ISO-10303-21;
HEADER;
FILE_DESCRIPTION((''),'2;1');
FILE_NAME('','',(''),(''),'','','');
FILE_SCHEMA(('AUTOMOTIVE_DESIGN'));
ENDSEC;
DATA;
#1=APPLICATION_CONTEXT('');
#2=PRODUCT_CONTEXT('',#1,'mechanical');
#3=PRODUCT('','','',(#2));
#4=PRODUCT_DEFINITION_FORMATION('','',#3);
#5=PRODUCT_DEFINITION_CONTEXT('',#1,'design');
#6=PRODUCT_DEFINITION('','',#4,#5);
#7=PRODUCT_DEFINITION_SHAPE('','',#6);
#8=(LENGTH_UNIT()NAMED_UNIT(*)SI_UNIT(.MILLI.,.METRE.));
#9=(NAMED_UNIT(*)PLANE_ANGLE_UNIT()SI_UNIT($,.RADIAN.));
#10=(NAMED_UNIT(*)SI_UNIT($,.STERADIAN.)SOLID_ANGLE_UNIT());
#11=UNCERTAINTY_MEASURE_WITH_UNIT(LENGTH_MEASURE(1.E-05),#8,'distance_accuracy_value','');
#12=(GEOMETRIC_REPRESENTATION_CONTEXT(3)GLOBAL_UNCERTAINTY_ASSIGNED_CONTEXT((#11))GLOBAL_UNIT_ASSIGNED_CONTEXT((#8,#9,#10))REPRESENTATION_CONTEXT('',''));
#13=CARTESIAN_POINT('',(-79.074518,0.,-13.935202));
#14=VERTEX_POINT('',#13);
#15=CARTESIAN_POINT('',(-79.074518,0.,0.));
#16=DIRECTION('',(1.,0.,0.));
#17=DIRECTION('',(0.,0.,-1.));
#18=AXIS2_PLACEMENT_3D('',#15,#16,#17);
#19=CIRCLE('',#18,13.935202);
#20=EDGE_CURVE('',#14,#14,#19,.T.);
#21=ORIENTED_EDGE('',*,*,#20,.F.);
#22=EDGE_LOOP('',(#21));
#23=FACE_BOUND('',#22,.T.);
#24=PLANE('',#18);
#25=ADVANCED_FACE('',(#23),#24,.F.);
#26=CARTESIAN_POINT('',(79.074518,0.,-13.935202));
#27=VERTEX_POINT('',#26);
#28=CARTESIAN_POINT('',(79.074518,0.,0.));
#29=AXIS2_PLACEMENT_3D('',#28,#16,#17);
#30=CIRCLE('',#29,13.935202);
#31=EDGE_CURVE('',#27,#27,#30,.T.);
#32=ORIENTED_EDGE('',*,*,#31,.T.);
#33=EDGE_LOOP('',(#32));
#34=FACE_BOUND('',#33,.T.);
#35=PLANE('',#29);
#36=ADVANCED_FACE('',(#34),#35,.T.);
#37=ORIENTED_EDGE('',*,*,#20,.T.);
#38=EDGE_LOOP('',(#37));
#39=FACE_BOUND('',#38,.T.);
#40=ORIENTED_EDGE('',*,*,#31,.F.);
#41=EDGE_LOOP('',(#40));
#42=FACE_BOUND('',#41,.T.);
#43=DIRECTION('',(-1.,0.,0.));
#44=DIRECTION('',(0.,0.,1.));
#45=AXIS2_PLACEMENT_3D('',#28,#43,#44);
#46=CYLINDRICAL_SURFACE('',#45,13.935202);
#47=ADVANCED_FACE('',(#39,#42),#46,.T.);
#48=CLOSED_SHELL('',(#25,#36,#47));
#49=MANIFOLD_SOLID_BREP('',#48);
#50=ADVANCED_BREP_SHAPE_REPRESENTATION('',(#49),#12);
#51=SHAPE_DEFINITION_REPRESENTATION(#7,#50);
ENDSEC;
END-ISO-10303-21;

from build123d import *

# Parameters (mm, degrees)
BOSS_EXTRUDE1_DEPTH      = 79.074518
BOSS_EXTRUDE1_DEPTH_BACK = 79.074518
SKETCH1_R                = 13.935202


with BuildPart() as part:
    # Sketch1 → Boss-Extrude1 (new, two sides: drawn at the far end of the back side and taken through both)
    with BuildSketch(Plane(origin=(0, 0, 0), x_dir=(0, 0, -1), z_dir=(1, 0, 0)).offset(-BOSS_EXTRUDE1_DEPTH_BACK)):
        Circle(SKETCH1_R)
    extrude(amount=BOSS_EXTRUDE1_DEPTH + BOSS_EXTRUDE1_DEPTH_BACK)


solid = part.part
